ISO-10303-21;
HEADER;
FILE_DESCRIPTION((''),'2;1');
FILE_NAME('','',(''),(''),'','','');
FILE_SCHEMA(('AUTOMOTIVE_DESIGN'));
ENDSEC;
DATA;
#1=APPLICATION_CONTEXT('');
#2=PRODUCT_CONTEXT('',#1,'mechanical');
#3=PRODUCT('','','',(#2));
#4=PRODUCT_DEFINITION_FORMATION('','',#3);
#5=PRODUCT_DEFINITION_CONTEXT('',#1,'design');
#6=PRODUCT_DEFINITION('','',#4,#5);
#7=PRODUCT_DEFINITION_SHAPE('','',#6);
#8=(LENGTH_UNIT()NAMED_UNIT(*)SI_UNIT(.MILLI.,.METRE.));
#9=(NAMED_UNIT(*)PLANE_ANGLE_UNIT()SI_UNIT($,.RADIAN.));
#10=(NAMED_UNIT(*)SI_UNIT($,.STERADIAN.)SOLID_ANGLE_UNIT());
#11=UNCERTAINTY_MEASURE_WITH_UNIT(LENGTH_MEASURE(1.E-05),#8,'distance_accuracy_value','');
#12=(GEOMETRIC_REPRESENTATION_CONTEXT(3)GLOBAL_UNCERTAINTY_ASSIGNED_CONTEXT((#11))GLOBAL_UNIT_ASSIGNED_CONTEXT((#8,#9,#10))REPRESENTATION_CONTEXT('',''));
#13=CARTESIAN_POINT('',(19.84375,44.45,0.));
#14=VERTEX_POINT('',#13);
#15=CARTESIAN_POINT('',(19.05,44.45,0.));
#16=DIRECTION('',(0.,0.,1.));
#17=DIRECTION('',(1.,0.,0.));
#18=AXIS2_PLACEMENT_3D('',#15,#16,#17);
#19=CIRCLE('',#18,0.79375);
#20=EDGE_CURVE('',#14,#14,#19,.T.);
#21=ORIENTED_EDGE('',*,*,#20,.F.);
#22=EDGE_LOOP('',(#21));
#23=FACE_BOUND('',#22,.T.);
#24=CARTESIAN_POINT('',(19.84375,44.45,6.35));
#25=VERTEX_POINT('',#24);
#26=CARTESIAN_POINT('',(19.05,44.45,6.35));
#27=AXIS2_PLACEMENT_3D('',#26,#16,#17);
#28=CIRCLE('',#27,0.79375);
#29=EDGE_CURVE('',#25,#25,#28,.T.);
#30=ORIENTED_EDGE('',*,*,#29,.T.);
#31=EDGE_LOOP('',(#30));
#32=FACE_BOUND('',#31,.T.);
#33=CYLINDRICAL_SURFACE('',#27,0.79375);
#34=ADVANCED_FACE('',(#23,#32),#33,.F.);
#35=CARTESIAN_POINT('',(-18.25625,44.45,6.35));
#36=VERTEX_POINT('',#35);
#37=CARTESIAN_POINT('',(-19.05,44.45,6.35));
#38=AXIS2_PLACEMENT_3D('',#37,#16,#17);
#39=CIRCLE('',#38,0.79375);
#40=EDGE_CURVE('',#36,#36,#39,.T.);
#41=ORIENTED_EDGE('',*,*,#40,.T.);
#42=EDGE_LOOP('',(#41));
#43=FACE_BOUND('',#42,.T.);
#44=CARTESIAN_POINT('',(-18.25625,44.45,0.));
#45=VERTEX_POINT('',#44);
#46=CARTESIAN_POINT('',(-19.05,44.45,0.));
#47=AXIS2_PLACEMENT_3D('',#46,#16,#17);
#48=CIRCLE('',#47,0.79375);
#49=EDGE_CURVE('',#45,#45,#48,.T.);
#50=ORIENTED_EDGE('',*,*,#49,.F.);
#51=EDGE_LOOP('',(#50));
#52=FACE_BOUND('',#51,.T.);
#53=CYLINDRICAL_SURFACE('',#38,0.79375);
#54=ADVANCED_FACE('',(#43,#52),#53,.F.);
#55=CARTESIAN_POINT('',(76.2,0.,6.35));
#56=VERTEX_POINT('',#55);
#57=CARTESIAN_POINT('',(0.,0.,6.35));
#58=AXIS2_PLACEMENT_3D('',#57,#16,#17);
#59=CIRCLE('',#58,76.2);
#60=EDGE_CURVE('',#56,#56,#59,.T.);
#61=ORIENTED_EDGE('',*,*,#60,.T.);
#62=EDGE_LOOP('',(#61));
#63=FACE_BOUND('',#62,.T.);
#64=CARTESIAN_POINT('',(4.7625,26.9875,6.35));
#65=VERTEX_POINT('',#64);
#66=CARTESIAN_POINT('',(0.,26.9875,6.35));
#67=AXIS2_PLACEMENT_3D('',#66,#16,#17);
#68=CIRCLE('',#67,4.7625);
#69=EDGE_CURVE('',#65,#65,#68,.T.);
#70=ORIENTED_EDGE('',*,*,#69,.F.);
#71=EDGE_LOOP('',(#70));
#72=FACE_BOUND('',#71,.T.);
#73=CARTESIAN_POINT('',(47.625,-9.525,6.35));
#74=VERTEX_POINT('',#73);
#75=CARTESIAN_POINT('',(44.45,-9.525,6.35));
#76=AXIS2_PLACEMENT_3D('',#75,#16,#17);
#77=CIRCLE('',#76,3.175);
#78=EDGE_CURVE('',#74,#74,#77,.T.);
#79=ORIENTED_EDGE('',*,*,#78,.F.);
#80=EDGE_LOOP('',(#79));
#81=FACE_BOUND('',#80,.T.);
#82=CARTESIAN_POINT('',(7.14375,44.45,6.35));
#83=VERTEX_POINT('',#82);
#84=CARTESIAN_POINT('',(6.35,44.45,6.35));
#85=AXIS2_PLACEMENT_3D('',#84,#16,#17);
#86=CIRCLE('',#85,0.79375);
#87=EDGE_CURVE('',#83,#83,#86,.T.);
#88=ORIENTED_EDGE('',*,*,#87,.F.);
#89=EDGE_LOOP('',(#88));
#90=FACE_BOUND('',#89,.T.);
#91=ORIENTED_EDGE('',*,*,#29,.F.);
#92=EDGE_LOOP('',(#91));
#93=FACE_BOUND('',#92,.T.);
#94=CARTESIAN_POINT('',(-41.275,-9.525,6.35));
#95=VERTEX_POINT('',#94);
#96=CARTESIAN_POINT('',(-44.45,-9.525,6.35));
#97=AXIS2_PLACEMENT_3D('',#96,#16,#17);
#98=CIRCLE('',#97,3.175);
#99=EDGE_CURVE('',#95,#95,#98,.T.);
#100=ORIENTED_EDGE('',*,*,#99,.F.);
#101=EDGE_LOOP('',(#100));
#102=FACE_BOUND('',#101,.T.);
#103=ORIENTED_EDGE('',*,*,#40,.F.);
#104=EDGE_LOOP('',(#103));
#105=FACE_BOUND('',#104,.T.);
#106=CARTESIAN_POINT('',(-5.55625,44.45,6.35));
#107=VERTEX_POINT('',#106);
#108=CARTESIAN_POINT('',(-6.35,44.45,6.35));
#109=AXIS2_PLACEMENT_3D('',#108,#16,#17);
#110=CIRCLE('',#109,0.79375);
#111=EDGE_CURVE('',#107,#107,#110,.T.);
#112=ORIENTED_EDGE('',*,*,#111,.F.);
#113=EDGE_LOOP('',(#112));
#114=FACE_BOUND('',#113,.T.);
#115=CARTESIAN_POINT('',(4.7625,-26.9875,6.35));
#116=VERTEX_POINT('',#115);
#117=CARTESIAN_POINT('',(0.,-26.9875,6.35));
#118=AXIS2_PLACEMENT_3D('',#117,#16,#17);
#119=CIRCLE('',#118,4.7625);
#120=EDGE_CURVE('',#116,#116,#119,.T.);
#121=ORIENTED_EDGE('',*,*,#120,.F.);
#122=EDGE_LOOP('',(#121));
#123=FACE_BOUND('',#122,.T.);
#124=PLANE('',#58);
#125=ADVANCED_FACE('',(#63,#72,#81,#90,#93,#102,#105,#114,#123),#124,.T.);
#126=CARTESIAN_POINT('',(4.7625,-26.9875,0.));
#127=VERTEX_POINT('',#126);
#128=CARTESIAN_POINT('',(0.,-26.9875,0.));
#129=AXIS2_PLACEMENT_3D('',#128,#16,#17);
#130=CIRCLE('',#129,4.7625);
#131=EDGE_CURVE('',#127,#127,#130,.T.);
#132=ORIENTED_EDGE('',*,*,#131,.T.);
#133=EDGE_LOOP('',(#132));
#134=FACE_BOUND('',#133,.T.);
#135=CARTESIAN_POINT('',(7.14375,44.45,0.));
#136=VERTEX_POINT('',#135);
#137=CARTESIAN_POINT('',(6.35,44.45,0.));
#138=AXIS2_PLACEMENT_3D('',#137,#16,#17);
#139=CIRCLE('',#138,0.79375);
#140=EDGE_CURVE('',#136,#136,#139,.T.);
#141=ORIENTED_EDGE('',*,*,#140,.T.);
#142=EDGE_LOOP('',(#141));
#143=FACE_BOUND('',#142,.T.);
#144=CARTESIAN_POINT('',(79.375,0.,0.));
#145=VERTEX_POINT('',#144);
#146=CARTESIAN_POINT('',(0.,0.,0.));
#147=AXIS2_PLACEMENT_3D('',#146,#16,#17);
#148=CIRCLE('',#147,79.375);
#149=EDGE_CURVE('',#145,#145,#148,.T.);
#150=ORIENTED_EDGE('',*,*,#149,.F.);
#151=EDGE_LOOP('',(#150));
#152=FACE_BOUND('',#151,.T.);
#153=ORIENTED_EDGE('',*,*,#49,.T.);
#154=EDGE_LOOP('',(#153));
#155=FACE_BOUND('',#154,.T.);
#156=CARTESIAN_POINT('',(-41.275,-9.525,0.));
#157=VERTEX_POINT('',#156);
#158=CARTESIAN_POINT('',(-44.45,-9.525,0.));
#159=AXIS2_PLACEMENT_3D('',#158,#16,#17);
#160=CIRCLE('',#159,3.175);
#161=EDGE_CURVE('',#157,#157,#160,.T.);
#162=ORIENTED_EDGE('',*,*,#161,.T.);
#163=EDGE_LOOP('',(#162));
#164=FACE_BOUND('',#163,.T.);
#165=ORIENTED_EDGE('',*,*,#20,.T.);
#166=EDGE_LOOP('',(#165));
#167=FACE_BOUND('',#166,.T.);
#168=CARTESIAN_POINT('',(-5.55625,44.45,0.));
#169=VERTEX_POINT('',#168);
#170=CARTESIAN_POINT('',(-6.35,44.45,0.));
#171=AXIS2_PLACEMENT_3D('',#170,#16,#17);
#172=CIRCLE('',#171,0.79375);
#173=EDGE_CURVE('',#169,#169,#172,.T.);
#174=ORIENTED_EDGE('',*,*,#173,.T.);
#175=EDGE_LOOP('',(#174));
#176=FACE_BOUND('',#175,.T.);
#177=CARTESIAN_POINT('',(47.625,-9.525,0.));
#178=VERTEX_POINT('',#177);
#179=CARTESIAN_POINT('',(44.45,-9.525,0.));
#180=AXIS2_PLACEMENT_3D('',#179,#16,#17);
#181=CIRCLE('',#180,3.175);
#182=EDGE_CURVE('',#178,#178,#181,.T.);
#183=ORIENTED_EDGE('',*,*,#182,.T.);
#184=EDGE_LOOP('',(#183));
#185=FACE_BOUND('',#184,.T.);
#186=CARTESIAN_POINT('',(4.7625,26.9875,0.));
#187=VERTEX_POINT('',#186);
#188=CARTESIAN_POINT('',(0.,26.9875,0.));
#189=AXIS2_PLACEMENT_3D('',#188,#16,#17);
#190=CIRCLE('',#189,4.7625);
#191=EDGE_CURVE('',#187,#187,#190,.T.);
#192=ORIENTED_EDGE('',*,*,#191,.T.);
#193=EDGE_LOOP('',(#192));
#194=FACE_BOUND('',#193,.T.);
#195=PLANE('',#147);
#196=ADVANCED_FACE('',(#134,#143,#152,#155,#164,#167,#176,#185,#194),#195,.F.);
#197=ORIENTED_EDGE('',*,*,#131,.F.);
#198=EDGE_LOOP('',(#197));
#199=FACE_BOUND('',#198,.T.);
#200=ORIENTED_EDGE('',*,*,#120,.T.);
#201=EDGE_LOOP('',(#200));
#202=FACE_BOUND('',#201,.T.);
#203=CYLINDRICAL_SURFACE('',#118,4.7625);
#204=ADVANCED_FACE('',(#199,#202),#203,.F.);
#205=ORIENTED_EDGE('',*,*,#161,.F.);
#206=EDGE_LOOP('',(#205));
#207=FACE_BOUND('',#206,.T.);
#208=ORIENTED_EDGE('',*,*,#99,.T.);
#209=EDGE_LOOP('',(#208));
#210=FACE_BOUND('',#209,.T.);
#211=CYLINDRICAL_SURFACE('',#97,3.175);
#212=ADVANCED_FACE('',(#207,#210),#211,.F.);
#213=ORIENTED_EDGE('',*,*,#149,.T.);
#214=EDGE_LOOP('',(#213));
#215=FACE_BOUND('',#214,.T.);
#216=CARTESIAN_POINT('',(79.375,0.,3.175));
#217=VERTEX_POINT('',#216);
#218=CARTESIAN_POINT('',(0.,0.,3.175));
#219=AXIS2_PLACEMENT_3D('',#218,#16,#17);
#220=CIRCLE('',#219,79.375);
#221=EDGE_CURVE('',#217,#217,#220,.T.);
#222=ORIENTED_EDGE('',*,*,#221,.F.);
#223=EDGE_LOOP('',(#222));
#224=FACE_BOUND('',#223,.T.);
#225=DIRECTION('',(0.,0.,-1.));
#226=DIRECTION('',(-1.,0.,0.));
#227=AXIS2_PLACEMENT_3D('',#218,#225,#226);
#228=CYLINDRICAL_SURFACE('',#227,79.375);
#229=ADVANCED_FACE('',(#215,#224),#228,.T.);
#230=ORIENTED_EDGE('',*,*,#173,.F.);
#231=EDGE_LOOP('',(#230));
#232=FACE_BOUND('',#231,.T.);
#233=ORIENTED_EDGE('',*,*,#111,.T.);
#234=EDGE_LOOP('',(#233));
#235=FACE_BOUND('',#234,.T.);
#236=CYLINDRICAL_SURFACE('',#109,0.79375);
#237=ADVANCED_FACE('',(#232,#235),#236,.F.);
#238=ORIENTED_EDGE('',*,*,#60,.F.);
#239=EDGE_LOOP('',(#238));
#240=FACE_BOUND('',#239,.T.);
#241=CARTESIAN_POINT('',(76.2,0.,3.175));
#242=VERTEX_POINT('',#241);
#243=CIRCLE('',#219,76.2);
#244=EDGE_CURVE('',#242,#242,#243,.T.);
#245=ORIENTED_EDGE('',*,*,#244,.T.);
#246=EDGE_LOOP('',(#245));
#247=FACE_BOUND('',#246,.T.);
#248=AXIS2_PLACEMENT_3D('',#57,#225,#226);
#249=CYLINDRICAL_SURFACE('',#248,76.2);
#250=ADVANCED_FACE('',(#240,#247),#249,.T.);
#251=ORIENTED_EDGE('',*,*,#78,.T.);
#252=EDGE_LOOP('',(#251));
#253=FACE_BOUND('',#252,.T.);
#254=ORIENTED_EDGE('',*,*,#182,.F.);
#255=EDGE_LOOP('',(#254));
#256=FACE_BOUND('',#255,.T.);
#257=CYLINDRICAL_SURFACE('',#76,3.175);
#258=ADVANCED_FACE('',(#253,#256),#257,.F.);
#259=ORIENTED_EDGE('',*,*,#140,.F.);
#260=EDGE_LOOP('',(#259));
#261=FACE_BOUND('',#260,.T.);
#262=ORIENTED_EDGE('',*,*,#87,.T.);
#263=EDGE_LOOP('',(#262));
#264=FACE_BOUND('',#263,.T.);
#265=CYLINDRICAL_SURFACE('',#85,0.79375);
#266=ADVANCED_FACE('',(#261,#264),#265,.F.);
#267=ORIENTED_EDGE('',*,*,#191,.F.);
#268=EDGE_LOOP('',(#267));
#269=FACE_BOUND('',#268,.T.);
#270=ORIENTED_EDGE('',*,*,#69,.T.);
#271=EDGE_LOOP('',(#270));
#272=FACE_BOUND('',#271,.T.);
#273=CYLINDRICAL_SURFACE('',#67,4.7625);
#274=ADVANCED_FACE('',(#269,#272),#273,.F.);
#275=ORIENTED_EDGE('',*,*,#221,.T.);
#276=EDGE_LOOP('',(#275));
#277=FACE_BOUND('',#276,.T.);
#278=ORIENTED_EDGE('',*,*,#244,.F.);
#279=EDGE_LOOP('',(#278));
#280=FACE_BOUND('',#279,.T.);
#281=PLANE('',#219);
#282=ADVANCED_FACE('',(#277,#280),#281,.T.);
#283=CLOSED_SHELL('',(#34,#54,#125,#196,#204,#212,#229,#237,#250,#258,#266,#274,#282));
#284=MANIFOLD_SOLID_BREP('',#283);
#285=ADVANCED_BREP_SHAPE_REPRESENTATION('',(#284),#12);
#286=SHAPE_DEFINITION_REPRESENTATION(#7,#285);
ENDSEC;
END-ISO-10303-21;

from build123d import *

# Parameters (mm, degrees)
SKETCH1_R                      = 79.375
BOSS_EXTRUDE1_DEPTH            = 3.175
SKETCH2_R                      = 76.2
BOSS_EXTRUDE2_DEPTH            = 3.175
F_1_4_0_25_DIAMETER_HOLE1_D    = 6.35
F_1_16_0_0625_DIAMETER_HOLE1_D = 1.5875
F_3_8_0_375_DIAMETER_HOLE1_D   = 9.525


with BuildPart() as part:
    # Sketch1 → Boss-Extrude1 (new body)
    with BuildSketch(Plane.XY):
        Circle(SKETCH1_R)
    extrude(amount=BOSS_EXTRUDE1_DEPTH)

    # Sketch2 → Boss-Extrude2 (add)
    with BuildSketch(Plane.XY.offset(3.175)):
        Circle(SKETCH2_R)
    extrude(amount=BOSS_EXTRUDE2_DEPTH)

    # 1/4 (0.25) Diameter Hole1 (through all)
    with Locations(Plane.XY.offset(6.35)):
        with Locations((-44.45, -9.525), (44.45, -9.525)):
            Hole(F_1_4_0_25_DIAMETER_HOLE1_D / 2)

    # 1/16 (0.0625) Diameter Hole1 (through all)
    with Locations(Plane.XY.offset(6.35)):
        with Locations((-19.05, 44.45), (-6.35, 44.45), (6.35, 44.45), (19.05, 44.45)):
            Hole(F_1_16_0_0625_DIAMETER_HOLE1_D / 2)

    # 3/8 (0.375) Diameter Hole1 (through all)
    with Locations(Plane.XY.offset(6.35)):
        with Locations((0, -26.9875), (0, 26.9875)):
            Hole(F_3_8_0_375_DIAMETER_HOLE1_D / 2)


solid = part.part
